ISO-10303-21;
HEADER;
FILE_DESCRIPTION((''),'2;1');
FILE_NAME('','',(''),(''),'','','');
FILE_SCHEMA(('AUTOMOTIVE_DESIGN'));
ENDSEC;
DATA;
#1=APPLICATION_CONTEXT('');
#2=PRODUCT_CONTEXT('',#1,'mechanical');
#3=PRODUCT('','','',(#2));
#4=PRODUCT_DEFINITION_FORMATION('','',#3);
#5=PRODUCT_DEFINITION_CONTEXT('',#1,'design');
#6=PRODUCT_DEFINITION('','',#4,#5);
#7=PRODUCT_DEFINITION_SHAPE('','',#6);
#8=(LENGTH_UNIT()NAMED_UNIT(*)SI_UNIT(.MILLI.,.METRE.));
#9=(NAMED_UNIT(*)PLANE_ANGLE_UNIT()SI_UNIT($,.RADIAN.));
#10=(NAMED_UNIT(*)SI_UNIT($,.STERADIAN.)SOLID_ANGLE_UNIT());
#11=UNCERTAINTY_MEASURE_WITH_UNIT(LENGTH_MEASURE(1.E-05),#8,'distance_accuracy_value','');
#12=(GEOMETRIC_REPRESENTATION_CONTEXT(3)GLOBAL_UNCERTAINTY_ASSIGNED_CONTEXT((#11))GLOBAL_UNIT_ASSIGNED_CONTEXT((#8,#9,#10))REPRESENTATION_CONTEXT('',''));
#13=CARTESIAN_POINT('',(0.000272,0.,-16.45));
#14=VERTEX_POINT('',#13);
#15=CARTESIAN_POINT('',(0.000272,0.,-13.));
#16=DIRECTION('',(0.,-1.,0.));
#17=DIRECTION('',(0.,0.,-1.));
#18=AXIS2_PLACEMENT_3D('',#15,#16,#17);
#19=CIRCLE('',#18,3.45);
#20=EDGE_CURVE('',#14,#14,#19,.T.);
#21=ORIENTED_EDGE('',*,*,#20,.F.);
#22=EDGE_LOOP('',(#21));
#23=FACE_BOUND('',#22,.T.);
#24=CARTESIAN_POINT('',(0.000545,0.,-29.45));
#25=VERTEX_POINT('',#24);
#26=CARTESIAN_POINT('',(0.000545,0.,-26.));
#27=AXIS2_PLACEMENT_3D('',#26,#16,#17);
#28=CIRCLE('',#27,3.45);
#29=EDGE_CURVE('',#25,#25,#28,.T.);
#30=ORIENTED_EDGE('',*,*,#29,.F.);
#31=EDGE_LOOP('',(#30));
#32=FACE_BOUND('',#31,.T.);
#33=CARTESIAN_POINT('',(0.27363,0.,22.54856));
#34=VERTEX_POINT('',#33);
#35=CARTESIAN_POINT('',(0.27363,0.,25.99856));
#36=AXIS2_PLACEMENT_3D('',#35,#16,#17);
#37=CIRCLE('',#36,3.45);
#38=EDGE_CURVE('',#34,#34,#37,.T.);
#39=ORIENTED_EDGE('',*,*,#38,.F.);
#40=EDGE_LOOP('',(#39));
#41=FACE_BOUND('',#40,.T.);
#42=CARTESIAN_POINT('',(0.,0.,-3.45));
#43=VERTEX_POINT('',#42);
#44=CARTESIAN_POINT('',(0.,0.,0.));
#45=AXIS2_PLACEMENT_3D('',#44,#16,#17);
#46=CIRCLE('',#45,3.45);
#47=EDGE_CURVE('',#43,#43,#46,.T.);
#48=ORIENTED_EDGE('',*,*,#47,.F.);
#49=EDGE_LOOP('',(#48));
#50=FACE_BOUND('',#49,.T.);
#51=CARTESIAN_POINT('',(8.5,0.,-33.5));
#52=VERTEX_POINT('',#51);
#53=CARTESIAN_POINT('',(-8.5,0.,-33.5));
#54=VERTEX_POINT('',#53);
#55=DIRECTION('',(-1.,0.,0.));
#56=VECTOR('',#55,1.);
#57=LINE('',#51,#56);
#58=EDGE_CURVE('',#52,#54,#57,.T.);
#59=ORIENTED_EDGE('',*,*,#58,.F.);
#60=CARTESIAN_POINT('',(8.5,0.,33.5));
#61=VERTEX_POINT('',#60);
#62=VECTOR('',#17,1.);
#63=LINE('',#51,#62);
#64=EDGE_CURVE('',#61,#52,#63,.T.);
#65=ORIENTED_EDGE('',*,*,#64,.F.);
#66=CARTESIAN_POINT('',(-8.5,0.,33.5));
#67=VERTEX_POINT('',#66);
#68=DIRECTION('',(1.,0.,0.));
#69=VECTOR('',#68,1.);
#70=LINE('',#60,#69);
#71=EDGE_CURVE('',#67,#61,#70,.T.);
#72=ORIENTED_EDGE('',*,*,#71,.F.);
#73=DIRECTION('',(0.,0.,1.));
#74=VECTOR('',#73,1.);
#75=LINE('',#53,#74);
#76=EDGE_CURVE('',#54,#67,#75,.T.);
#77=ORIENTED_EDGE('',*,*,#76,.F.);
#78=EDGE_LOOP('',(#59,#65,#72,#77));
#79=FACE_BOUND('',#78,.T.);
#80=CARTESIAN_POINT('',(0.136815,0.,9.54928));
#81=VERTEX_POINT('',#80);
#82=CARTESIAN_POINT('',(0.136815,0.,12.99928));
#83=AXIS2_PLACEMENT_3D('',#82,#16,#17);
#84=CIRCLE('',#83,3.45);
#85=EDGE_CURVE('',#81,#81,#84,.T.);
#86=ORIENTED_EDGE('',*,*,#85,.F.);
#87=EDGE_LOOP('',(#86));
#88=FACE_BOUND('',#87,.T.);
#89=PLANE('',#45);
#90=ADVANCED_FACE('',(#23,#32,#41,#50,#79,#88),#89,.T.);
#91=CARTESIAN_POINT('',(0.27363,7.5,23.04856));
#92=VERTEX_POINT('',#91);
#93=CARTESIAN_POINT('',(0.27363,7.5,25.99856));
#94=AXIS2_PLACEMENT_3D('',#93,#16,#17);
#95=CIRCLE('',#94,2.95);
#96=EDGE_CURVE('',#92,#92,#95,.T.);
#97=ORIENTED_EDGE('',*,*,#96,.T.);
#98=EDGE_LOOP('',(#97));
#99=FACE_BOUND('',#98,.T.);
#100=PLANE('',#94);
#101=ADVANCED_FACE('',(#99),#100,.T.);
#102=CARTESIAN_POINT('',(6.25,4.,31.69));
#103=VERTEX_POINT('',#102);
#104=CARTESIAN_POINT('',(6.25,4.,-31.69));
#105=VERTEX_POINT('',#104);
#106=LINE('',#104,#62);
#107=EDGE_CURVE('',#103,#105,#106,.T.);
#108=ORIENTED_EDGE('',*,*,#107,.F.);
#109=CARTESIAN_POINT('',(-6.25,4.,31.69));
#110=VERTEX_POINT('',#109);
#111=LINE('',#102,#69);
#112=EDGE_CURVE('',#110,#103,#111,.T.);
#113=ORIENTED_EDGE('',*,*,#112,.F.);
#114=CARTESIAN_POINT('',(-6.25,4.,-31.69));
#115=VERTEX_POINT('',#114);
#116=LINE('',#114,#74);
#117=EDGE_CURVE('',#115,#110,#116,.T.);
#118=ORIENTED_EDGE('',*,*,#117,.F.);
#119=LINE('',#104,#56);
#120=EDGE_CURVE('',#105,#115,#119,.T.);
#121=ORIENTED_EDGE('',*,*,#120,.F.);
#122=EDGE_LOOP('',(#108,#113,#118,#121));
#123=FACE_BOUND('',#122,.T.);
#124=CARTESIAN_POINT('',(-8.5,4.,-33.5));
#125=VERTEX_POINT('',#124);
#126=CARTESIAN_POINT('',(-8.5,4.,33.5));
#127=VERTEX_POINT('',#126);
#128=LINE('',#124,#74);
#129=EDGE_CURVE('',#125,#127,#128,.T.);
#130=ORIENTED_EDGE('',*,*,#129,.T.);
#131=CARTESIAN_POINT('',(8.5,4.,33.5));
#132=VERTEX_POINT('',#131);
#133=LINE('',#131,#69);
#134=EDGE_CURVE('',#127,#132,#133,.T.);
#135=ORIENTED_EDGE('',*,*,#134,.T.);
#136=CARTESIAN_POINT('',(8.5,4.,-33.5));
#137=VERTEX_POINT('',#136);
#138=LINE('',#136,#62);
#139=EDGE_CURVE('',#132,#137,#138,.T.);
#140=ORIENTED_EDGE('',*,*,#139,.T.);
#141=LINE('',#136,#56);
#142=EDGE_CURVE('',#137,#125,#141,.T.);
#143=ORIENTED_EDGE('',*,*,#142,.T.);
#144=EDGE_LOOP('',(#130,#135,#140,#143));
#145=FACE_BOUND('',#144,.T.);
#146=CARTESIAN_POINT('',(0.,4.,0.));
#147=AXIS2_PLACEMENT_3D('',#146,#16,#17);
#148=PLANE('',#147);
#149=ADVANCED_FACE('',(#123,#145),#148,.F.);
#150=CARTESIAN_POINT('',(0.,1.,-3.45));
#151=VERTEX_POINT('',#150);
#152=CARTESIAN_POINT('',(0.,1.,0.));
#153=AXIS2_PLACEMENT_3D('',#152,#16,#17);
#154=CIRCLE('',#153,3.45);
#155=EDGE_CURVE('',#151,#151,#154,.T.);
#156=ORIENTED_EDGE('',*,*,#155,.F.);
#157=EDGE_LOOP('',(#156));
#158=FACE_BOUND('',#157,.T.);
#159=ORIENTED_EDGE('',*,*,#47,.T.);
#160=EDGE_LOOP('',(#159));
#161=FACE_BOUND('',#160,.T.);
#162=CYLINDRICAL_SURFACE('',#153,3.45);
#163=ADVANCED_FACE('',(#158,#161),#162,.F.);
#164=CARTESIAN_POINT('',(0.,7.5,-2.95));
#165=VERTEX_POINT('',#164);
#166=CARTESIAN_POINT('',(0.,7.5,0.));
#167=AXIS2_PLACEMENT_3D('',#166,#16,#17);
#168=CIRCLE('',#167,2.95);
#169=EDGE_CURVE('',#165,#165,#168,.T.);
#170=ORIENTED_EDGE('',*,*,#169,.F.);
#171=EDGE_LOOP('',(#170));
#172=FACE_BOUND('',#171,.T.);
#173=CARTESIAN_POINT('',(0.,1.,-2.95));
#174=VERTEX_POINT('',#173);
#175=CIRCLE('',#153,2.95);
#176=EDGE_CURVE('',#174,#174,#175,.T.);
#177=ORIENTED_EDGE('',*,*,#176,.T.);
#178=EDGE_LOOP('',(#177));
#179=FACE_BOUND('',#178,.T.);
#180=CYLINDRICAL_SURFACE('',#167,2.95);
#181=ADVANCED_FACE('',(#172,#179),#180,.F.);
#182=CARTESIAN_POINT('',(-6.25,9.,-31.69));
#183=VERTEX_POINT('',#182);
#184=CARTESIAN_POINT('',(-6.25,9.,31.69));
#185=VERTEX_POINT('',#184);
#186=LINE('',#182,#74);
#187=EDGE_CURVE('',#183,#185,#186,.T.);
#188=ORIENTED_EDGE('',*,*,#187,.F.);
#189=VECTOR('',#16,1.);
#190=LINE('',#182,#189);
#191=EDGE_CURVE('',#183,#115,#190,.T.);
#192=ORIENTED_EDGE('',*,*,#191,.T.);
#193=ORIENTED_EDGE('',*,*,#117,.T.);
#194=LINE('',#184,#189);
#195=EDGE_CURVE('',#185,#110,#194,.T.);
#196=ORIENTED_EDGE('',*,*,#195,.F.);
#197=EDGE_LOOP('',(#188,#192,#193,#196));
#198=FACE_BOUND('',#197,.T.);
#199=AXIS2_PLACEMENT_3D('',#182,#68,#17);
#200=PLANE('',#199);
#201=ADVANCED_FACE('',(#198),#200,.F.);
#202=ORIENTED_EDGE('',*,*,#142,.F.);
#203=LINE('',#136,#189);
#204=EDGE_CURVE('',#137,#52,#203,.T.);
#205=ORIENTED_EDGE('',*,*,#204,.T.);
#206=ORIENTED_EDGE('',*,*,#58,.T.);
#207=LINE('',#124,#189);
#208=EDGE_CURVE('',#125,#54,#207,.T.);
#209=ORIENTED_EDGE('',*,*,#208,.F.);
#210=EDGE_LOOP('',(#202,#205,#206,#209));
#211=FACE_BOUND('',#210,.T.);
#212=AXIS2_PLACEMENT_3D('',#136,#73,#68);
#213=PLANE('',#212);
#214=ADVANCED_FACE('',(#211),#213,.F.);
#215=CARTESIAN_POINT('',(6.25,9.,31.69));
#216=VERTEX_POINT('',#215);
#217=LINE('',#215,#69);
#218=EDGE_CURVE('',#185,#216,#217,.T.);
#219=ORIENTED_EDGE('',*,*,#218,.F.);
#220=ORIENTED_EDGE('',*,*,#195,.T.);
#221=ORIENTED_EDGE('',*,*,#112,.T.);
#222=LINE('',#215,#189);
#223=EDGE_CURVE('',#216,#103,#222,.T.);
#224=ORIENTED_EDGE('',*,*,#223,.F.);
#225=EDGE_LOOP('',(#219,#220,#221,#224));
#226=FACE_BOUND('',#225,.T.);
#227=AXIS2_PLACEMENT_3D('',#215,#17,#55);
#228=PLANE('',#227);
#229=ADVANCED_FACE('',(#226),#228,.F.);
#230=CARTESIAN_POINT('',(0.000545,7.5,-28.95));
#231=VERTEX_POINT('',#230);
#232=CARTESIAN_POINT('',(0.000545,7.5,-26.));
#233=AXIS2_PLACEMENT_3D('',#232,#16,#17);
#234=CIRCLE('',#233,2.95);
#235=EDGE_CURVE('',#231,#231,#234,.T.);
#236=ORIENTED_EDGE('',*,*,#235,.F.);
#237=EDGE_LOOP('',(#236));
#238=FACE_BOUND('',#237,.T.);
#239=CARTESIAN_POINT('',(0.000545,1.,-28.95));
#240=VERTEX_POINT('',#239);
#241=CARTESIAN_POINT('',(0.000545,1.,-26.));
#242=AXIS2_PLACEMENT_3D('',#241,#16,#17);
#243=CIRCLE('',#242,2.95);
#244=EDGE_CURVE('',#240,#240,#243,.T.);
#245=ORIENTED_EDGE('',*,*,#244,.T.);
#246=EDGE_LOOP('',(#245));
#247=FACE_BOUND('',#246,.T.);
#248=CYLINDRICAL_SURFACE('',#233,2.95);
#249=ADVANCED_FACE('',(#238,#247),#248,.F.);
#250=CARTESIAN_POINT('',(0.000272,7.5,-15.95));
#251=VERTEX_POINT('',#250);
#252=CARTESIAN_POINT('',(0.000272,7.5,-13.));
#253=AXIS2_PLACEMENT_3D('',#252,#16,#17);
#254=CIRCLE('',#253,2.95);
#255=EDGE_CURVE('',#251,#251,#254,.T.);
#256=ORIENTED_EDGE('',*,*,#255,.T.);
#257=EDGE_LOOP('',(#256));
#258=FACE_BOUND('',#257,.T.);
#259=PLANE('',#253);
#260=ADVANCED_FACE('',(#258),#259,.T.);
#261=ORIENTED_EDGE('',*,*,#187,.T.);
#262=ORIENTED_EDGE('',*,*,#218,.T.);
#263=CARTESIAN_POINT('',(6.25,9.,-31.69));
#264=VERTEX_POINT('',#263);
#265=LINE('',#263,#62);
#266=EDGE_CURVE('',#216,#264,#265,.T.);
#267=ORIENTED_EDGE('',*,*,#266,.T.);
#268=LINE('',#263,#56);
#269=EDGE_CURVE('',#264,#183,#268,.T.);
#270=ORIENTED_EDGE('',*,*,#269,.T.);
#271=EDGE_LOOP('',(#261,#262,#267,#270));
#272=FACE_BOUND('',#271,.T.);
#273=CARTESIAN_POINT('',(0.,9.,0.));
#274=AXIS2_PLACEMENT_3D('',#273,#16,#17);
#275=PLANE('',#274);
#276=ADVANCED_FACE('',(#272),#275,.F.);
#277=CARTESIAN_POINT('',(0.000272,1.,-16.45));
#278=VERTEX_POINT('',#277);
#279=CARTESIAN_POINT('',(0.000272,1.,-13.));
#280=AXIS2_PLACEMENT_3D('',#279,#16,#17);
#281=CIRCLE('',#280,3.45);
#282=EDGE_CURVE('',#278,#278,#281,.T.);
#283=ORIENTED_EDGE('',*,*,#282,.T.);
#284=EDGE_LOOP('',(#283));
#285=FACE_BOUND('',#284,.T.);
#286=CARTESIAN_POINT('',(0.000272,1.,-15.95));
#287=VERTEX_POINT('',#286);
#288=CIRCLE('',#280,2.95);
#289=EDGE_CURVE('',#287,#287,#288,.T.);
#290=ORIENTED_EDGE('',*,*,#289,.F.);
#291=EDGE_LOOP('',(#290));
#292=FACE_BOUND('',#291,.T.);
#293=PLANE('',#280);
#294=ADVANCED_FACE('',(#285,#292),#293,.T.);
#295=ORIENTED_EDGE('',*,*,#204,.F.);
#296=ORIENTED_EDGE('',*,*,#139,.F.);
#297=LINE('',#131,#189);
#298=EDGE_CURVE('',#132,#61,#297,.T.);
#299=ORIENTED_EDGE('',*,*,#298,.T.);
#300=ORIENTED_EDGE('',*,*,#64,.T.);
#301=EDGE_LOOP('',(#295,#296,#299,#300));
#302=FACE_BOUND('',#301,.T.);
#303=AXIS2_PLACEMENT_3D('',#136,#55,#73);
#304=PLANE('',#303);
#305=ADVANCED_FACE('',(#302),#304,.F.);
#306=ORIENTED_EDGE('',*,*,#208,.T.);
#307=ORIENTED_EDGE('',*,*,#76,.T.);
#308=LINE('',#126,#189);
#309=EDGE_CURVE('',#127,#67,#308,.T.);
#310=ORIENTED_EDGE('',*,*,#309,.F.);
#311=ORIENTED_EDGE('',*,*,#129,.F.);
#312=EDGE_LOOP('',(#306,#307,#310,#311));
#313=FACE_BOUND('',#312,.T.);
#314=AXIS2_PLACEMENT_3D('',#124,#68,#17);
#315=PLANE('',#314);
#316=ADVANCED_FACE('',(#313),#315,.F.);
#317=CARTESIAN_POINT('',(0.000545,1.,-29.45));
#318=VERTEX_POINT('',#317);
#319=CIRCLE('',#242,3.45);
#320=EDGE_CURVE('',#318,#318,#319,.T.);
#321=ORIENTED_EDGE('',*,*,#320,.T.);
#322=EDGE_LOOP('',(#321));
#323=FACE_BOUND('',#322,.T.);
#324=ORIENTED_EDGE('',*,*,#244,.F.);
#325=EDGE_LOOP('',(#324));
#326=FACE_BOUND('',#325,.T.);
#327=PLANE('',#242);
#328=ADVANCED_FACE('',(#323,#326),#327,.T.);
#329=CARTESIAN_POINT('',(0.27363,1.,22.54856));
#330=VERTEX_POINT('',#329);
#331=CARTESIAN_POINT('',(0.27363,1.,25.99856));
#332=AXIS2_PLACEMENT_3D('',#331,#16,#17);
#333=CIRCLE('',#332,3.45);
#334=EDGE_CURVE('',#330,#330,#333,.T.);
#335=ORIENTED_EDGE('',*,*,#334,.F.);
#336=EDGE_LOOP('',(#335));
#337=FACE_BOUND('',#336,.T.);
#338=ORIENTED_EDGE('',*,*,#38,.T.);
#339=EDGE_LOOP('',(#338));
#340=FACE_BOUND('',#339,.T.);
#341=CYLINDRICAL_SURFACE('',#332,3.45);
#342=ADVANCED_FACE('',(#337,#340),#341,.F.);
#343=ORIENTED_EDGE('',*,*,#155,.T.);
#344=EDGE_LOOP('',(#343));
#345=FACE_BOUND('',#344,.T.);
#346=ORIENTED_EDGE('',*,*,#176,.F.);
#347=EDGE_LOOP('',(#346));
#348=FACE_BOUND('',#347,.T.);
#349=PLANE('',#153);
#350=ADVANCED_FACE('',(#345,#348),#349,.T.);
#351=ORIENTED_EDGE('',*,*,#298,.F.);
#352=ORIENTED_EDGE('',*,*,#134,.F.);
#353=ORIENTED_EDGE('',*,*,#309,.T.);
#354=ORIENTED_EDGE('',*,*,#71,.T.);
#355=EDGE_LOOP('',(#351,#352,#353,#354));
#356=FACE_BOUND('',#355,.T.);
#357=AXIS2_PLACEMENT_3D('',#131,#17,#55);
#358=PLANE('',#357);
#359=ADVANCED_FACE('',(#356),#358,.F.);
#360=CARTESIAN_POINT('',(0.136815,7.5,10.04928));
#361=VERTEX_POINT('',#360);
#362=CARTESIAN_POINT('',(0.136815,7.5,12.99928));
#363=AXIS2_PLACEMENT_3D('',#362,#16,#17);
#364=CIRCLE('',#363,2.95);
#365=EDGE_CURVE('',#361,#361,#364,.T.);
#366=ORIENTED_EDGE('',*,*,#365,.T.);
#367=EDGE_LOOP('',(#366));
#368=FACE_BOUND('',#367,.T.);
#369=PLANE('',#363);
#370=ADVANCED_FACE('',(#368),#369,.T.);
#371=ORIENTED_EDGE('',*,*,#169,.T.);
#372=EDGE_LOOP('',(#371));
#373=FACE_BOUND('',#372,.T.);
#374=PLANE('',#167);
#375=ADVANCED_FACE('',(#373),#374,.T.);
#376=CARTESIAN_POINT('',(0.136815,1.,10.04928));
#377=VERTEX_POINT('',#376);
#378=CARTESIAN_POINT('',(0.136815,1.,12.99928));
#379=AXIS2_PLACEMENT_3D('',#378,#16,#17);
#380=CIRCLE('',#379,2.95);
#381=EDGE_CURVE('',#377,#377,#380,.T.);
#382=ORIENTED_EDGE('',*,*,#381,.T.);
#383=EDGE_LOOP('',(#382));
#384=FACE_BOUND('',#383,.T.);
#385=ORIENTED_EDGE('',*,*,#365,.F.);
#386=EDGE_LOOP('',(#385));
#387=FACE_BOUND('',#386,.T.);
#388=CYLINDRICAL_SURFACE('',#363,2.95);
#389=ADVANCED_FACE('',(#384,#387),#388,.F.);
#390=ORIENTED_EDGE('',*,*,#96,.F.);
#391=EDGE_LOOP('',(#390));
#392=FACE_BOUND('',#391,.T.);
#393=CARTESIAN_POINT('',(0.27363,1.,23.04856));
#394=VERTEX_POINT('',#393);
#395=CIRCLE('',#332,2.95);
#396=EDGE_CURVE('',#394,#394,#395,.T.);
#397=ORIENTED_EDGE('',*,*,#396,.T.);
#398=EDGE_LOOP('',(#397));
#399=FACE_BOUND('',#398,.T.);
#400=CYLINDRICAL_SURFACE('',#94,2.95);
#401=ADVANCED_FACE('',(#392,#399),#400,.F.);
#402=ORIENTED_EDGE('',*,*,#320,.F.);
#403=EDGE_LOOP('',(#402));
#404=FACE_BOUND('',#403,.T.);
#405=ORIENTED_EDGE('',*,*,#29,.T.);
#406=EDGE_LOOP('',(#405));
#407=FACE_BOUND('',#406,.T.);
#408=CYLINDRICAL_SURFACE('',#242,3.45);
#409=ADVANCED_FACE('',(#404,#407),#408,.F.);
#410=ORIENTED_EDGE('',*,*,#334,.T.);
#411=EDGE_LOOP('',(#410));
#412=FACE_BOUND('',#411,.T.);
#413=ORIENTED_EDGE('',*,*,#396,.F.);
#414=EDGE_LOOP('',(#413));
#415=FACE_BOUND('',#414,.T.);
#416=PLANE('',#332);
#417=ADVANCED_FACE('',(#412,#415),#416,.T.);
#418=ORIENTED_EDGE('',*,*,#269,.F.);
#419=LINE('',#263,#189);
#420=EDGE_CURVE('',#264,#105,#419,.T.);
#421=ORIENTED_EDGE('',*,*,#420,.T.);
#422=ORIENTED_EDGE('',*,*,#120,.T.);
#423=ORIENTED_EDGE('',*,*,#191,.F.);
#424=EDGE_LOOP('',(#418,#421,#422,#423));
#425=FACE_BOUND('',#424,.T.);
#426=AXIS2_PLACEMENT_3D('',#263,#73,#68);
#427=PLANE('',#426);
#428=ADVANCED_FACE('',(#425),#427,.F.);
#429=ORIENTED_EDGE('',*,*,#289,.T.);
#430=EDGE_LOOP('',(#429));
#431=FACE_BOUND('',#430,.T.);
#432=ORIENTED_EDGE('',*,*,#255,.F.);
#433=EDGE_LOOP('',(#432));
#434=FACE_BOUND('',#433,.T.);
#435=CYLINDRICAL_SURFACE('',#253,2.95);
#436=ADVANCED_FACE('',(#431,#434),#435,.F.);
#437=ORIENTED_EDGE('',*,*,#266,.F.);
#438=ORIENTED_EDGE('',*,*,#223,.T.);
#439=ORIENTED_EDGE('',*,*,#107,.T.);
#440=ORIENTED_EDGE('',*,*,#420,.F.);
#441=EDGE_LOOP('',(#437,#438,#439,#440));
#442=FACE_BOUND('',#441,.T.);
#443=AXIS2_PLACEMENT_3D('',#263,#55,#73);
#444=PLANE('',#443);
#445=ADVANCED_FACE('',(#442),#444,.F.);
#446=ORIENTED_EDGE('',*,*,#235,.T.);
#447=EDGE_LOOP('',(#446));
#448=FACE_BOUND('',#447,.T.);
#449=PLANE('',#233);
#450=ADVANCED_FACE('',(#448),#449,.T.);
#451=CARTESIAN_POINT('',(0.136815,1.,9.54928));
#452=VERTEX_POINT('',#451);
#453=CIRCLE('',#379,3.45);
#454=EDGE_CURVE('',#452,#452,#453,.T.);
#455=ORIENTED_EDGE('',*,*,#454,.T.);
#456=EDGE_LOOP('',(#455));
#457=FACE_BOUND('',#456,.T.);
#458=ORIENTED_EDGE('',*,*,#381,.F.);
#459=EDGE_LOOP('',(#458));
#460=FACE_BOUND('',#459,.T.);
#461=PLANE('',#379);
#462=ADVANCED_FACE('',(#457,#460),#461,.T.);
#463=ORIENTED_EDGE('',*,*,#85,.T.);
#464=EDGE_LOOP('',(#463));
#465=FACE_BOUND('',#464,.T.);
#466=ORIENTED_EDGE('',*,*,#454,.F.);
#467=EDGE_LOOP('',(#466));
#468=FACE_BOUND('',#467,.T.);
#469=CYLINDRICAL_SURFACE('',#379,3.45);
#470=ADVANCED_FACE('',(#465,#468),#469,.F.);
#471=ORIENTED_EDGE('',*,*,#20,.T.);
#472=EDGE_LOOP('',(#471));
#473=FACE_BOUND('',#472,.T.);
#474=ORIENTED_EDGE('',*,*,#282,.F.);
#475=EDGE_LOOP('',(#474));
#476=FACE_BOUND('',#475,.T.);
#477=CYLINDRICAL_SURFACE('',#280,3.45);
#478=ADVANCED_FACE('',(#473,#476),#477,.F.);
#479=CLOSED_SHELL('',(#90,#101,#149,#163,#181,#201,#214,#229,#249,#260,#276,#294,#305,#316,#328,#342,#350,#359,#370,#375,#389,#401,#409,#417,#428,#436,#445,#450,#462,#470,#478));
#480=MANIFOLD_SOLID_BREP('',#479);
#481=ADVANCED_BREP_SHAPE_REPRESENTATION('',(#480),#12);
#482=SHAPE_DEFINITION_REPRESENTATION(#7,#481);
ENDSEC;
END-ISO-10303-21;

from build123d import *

# Parameters (mm, degrees)
SKETCH1_W           = 17
SKETCH1_H           = 67
BOSS_EXTRUDE1_DEPTH = 4
SKETCH2_W           = 12.5
SKETCH2_H           = 63.38
BOSS_EXTRUDE2_DEPTH = 5
SKETCH3_R           = 3.45
CUT_EXTRUDE1_DEPTH  = 1
SKETCH4_R           = 2.95
CUT_EXTRUDE2_DEPTH  = 7.5


with BuildPart() as part:
    # Sketch1 → Boss-Extrude1 (new body)
    with BuildSketch(Plane(origin=(0, 0, 0), x_dir=(1, 0, 0), z_dir=(0, 1, 0))):
        Rectangle(SKETCH1_W, SKETCH1_H)
    extrude(amount=BOSS_EXTRUDE1_DEPTH)

    # Sketch2 → Boss-Extrude2 (add)
    with BuildSketch(Plane(origin=(0, 4, 0), x_dir=(1, 0, 0), z_dir=(0, 1, 0))):
        Rectangle(SKETCH2_W, SKETCH2_H)
    extrude(amount=BOSS_EXTRUDE2_DEPTH)

    # Sketch3 → Cut-Extrude1 (cut)
    with BuildSketch(Plane.XZ):
        with Locations(Location((0, 0, 0), (0, 0, 270))):
            Circle(SKETCH3_R)
        with Locations(Location((0.136814879, 12.999280045, 0), (0, 0, 270))):
            Circle(SKETCH3_R)
        with Locations(Location((0.273629759, 25.99856009, 0), (0, 0, 270))):
            Circle(SKETCH3_R)
        with Locations(Location((0.000272251, -12.999999997, 0), (0, 0, 270))):
            Circle(SKETCH3_R)
        with Locations(Location((0.000544502, -25.999999994, 0), (0, 0, 270))):
            Circle(SKETCH3_R)
    extrude(amount=-CUT_EXTRUDE1_DEPTH, mode=Mode.SUBTRACT)

    # Sketch4 → Cut-Extrude2 (cut)
    with BuildSketch(Plane.XZ):
        with Locations(Location((0, 0, 0), (0, 0, 270))):
            Circle(SKETCH4_R)
        with Locations(Location((0.136814879, 12.999280045, 0), (0, 0, 270))):
            Circle(SKETCH4_R)
        with Locations(Location((0.273629759, 25.99856009, 0), (0, 0, 270))):
            Circle(SKETCH4_R)
        with Locations(Location((0.000272251, -12.999999997, 0), (0, 0, 270))):
            Circle(SKETCH4_R)
        with Locations(Location((0.000544502, -25.999999994, 0), (0, 0, 270))):
            Circle(SKETCH4_R)
    extrude(amount=-CUT_EXTRUDE2_DEPTH, mode=Mode.SUBTRACT)


solid = part.part
